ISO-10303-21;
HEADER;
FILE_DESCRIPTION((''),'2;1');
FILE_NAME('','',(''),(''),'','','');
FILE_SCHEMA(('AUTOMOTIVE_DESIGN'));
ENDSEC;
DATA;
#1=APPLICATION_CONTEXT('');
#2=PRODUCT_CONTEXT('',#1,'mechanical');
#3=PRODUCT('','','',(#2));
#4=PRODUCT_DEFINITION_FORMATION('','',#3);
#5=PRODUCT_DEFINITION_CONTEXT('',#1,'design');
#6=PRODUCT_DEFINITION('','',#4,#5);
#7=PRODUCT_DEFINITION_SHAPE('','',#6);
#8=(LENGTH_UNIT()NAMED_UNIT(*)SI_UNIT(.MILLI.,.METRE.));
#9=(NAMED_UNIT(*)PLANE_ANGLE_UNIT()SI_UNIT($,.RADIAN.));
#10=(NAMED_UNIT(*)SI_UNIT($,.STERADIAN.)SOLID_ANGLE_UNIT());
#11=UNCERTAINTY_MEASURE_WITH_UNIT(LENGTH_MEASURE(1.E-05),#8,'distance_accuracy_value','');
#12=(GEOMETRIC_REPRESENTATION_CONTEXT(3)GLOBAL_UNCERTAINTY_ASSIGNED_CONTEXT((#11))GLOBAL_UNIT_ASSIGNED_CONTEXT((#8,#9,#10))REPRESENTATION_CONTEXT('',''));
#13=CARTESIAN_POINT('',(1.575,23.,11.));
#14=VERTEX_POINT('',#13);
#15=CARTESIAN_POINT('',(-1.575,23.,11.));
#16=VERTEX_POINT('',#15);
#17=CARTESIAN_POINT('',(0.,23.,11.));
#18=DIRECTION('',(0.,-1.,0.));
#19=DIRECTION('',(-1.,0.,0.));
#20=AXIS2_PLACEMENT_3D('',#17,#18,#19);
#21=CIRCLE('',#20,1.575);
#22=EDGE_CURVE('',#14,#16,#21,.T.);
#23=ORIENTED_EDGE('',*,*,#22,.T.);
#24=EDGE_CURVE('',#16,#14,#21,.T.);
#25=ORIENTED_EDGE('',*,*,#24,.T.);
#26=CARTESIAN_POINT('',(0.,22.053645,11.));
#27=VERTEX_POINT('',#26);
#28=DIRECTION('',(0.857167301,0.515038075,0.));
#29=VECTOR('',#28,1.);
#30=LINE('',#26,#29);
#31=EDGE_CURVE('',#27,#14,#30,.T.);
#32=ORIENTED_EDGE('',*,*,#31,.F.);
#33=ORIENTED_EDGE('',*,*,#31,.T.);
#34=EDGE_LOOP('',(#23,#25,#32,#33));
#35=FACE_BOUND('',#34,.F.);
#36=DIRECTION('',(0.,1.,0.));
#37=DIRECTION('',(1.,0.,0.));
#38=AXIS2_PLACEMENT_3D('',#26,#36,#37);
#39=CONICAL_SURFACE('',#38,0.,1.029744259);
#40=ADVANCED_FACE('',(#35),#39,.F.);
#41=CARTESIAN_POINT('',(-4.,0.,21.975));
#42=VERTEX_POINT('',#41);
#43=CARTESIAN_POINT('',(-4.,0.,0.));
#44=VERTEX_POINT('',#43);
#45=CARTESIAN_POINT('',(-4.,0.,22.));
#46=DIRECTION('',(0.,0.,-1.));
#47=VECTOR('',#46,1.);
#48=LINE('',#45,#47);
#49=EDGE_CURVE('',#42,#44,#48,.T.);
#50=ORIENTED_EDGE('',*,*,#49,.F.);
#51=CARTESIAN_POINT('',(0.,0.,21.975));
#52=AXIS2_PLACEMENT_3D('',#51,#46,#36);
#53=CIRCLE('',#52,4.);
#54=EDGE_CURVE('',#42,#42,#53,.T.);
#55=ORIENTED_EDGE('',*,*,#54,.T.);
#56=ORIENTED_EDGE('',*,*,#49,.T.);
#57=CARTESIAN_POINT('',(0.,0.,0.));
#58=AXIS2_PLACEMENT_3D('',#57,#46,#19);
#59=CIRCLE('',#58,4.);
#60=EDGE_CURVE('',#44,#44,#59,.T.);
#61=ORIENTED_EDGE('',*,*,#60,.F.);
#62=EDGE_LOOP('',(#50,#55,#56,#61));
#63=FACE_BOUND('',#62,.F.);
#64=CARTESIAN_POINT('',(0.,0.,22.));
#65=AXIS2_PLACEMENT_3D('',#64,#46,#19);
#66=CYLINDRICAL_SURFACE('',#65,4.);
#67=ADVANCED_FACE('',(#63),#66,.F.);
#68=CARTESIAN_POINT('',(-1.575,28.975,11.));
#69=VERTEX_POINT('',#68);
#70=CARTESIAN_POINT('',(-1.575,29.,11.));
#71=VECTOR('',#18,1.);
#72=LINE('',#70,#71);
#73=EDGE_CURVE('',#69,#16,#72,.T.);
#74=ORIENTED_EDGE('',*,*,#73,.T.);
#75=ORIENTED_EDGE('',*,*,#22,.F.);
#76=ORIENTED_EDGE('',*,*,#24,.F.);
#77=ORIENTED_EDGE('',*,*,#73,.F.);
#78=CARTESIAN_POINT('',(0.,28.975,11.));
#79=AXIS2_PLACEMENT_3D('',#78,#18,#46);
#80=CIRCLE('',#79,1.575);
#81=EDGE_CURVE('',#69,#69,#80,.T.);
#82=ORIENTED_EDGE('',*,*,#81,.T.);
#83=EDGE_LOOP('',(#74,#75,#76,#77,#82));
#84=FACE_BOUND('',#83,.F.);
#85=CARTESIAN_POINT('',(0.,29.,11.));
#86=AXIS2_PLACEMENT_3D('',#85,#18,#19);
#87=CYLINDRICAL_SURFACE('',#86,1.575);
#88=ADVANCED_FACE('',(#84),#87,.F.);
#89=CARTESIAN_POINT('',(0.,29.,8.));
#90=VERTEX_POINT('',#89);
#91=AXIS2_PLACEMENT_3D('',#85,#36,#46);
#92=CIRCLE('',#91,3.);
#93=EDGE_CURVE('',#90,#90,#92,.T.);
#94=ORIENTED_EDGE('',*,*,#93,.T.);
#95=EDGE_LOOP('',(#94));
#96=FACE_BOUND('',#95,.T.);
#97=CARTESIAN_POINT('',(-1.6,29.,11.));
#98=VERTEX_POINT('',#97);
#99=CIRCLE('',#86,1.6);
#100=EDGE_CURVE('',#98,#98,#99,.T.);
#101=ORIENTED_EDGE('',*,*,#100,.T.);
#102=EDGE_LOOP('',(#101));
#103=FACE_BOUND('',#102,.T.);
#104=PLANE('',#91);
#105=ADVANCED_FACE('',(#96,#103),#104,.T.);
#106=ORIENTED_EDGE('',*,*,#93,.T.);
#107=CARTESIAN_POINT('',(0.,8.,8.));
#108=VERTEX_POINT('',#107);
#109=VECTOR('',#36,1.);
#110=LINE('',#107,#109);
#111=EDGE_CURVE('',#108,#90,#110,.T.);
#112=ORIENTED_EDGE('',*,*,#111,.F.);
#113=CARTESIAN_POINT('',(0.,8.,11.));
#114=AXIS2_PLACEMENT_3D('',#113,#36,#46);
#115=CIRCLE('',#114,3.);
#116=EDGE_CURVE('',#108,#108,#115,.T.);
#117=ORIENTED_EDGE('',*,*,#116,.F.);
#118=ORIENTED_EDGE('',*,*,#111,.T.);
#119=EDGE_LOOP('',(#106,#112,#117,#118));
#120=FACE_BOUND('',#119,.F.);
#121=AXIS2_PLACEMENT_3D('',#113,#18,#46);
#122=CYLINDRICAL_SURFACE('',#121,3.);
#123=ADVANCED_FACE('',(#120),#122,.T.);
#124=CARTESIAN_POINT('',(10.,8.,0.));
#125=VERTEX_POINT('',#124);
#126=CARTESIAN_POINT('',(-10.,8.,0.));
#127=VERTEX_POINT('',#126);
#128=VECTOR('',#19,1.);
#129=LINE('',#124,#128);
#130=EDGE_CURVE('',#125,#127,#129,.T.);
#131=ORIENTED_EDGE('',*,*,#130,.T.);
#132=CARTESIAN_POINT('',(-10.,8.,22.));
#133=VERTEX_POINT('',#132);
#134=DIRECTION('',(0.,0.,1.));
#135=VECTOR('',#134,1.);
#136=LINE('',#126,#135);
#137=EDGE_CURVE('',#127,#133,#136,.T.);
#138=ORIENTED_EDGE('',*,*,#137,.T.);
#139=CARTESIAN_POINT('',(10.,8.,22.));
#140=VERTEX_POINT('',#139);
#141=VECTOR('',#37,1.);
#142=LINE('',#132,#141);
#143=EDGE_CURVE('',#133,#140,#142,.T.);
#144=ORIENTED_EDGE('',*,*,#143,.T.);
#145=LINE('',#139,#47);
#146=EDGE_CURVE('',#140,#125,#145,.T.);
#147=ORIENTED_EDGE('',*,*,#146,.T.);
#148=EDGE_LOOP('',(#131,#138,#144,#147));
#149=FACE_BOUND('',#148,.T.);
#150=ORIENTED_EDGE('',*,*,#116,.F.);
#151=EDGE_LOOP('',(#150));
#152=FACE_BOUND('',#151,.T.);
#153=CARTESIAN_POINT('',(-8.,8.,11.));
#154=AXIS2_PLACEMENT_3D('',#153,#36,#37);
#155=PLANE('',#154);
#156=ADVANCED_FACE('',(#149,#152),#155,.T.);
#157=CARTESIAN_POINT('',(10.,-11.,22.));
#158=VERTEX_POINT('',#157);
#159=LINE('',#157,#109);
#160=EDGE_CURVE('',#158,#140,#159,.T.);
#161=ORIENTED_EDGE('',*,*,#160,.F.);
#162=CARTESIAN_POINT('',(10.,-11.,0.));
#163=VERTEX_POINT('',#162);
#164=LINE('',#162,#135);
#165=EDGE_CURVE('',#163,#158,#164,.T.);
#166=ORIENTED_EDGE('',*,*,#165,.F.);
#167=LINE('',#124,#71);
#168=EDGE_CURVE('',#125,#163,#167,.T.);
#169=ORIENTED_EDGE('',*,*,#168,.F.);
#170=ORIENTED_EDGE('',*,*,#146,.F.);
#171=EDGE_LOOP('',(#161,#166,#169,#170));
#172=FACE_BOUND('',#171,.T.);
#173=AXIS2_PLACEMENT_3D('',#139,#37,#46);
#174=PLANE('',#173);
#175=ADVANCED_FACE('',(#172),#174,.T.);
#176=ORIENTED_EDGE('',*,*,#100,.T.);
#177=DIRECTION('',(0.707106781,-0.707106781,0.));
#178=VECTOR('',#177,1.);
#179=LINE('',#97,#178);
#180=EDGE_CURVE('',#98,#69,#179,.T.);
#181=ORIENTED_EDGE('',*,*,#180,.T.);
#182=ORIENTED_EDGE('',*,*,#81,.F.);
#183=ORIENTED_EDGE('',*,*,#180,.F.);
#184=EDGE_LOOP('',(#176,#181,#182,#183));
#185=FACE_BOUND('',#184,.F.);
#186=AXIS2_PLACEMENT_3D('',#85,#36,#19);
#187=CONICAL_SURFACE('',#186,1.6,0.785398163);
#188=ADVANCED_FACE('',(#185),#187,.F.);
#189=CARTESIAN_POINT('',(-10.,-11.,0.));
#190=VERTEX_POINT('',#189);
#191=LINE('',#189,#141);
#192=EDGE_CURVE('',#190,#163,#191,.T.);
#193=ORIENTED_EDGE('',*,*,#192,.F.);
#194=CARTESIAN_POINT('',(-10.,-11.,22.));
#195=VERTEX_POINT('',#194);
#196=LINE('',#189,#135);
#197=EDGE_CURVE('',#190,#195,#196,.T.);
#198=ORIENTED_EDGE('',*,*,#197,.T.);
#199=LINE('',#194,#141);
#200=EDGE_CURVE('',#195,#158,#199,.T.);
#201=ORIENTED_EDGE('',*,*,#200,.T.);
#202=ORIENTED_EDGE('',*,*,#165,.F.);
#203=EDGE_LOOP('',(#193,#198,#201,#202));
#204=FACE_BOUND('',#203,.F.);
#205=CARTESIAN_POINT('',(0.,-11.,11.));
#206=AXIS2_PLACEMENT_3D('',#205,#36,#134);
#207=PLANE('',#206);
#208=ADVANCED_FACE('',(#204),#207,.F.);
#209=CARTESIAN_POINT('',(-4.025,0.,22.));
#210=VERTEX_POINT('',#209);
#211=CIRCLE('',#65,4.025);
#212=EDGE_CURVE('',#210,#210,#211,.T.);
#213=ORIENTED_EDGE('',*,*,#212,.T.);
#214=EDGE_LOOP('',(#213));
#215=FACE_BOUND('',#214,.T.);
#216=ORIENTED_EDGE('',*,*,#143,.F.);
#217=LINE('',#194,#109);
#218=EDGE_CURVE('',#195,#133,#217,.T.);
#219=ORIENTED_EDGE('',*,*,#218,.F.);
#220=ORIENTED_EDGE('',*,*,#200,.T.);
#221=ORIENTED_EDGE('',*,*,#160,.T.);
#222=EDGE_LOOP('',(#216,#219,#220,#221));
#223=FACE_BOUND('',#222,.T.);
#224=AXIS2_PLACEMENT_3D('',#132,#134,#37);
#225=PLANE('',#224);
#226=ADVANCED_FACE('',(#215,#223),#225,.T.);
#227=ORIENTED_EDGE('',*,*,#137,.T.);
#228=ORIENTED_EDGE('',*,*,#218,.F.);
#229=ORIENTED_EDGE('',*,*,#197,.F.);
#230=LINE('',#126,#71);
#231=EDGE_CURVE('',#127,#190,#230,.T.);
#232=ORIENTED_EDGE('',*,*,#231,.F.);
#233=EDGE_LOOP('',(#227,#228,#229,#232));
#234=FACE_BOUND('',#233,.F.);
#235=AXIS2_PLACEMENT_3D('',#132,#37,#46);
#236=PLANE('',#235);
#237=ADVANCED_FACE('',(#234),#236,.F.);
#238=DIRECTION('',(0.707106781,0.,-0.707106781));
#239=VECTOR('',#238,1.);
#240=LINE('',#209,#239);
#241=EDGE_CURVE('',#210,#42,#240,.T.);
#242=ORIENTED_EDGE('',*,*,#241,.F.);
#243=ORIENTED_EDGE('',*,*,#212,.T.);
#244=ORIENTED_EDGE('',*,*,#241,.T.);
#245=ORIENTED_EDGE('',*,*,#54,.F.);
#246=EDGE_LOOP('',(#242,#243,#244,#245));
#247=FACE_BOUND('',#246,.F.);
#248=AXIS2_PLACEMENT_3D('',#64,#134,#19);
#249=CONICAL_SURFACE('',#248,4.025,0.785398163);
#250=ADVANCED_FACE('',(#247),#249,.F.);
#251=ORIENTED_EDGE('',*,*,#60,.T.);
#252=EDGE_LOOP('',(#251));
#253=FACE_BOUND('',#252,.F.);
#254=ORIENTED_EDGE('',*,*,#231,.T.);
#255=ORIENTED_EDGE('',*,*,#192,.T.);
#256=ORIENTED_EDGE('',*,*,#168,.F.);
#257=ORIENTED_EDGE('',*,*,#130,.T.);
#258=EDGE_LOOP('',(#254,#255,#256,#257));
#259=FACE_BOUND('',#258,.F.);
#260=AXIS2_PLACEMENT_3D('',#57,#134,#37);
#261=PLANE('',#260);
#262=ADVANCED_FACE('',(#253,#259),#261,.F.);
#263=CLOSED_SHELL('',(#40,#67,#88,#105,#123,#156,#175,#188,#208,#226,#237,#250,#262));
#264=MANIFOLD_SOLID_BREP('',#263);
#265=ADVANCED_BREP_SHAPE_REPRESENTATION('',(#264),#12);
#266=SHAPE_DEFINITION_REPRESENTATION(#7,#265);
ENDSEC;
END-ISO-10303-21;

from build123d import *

# Parameters (mm, degrees)
SKETCH1_R                              = 10
BOSS_EXTRUDE1_DEPTH                    = 22
SKETCH6_R                              = 11
BOSS_EXTRUDE2_DEPTH                    = 11
F_8_0MM_DOWEL_HOLE1_D                  = 8
F_8_0MM_DOWEL_HOLE1_CSINK_D            = 8.05
F_8_0MM_DOWEL_HOLE1_CSINK_ANGLE        = 90
SKETCH9_R                              = 15.792919945
CUT_EXTRUDE1_DEPTH                     = 3
SKETCH8_R                              = 3
BOSS_EXTRUDE3_DEPTH                    = 21
SKETCH10_W                             = 4
SKETCH10_H                             = 22
BOSS_EXTRUDE4_DEPTH                    = 19
BOSS_EXTRUDE5_START                    = -3
BOSS_EXTRUDE5_DEPTH                    = 3
SKETCH12_W                             = 26
SKETCH12_H                             = 28
SKETCH12_W_2                           = 20
SKETCH12_H_2                           = 22
CUT_EXTRUDE2_DEPTH                     = 47.957427527
TAP_DRILL_FOR_M3_HELICOIL1_D           = 3.15
TAP_DRILL_FOR_M3_HELICOIL1_DEPTH       = 6
TAP_DRILL_FOR_M3_HELICOIL1_CSINK_D     = 3.2
TAP_DRILL_FOR_M3_HELICOIL1_CSINK_ANGLE = 90
TAP_DRILL_FOR_M3_HELICOIL1_TIP         = 0.946355475


with BuildPart() as part:
    # Sketch1 → Boss-Extrude1 (new body)
    with BuildSketch(Plane.XY):
        Circle(SKETCH1_R)
    extrude(amount=BOSS_EXTRUDE1_DEPTH)

    # Sketch6 → Boss-Extrude2 (add, symmetric)
    with BuildSketch(Plane(origin=(0, 0, 0), x_dir=(1, 0, 0), z_dir=(0, 1, 0))):
        with Locations(Location((0, -11, 0), (0, 0, 270))):
            Circle(SKETCH6_R)
    extrude(amount=BOSS_EXTRUDE2_DEPTH, both=True)

    # Ø8.0mm Dowel Hole1 (through all)
    with Locations(Plane.XY.offset(22)):
        with Locations((0, 0)):
            CounterSinkHole(F_8_0MM_DOWEL_HOLE1_D / 2, F_8_0MM_DOWEL_HOLE1_CSINK_D / 2, counter_sink_angle=F_8_0MM_DOWEL_HOLE1_CSINK_ANGLE)

    # Sketch9 → Cut-Extrude1 (cut)
    with BuildSketch(Plane(origin=(0, 11, 0), x_dir=(1, 0, 0), z_dir=(0, 1, 0))):
        with Locations((0, -11)):
            Circle(SKETCH9_R)
    extrude(amount=-CUT_EXTRUDE1_DEPTH, mode=Mode.SUBTRACT)

    # Sketch8 → Boss-Extrude3 (add)
    with BuildSketch(Plane(origin=(0, 8, 0), x_dir=(1, 0, 0), z_dir=(0, 1, 0))):
        with Locations(Location((0, -11, 0), (0, 0, 90))):
            Circle(SKETCH8_R)
    extrude(amount=BOSS_EXTRUDE3_DEPTH)

    # Sketch10 → Boss-Extrude4 (add)
    with BuildSketch(Plane(origin=(0, 8, 0), x_dir=(1, 0, 0), z_dir=(0, 1, 0))):
        with Locations((-8, -11)):
            Rectangle(SKETCH10_W, SKETCH10_H)
        with Locations((8, -11)):
            Rectangle(SKETCH10_W, SKETCH10_H)
    extrude(amount=-BOSS_EXTRUDE4_DEPTH)

    # Sketch11 → Boss-Extrude5 (add)
    with BuildSketch(Plane.XZ.offset(11).offset(BOSS_EXTRUDE5_START)):
        with BuildLine():
            Line((0, 22), (-6, 22))
            Line((-6, 22), (-6, 20.219544457))
            ThreePointArc((-6, 20.219544457), (-3.129297922, 21.545496409), (0, 22))
        make_face()
        with BuildLine():
            Line((6, 22), (0, 22))
            ThreePointArc((0, 22), (3.129297922, 21.545496409), (6, 20.219544457))
            Line((6, 20.219544457), (6, 22))
        make_face()
        with BuildLine():
            Line((-6, 1.780455543), (-6, 0))
            Line((-6, 0), (-1.12e-07, 0))
            ThreePointArc((-1.12e-07, 0), (-3.129297976, 0.454503607), (-6, 1.780455543))
        make_face()
        with BuildLine():
            ThreePointArc((6, 1.780455543), (3.129297868, 0.454503575), (-1.12e-07, 0))
            Line((-1.12e-07, 0), (6, 0))
            Line((6, 0), (6, 1.780455543))
        make_face()
    extrude(amount=BOSS_EXTRUDE5_DEPTH)

    # Sketch12 → Cut-Extrude2 (cut, through all)
    with BuildSketch(Plane.XZ.offset(11)):
        with Locations((0, 11)):
            Rectangle(SKETCH12_W, SKETCH12_H)
        with Locations((0, 11)):
            Rectangle(SKETCH12_W_2, SKETCH12_H_2, mode=Mode.SUBTRACT)
    extrude(amount=-CUT_EXTRUDE2_DEPTH, mode=Mode.SUBTRACT)

    # Tap Drill for M3 Helicoil1
    with Locations(Plane(origin=(0, 29, 0), x_dir=(1, 0, 0), z_dir=(0, 1, 0))):
        with Locations((0, -11)):
            CounterSinkHole(TAP_DRILL_FOR_M3_HELICOIL1_D / 2, TAP_DRILL_FOR_M3_HELICOIL1_CSINK_D / 2, depth=TAP_DRILL_FOR_M3_HELICOIL1_DEPTH, counter_sink_angle=TAP_DRILL_FOR_M3_HELICOIL1_CSINK_ANGLE)
            with Locations((0, 0, -(TAP_DRILL_FOR_M3_HELICOIL1_DEPTH + TAP_DRILL_FOR_M3_HELICOIL1_TIP / 2))):  # 118° drill point
                Cone(0, TAP_DRILL_FOR_M3_HELICOIL1_D / 2, TAP_DRILL_FOR_M3_HELICOIL1_TIP, mode=Mode.SUBTRACT)


solid = part.part
